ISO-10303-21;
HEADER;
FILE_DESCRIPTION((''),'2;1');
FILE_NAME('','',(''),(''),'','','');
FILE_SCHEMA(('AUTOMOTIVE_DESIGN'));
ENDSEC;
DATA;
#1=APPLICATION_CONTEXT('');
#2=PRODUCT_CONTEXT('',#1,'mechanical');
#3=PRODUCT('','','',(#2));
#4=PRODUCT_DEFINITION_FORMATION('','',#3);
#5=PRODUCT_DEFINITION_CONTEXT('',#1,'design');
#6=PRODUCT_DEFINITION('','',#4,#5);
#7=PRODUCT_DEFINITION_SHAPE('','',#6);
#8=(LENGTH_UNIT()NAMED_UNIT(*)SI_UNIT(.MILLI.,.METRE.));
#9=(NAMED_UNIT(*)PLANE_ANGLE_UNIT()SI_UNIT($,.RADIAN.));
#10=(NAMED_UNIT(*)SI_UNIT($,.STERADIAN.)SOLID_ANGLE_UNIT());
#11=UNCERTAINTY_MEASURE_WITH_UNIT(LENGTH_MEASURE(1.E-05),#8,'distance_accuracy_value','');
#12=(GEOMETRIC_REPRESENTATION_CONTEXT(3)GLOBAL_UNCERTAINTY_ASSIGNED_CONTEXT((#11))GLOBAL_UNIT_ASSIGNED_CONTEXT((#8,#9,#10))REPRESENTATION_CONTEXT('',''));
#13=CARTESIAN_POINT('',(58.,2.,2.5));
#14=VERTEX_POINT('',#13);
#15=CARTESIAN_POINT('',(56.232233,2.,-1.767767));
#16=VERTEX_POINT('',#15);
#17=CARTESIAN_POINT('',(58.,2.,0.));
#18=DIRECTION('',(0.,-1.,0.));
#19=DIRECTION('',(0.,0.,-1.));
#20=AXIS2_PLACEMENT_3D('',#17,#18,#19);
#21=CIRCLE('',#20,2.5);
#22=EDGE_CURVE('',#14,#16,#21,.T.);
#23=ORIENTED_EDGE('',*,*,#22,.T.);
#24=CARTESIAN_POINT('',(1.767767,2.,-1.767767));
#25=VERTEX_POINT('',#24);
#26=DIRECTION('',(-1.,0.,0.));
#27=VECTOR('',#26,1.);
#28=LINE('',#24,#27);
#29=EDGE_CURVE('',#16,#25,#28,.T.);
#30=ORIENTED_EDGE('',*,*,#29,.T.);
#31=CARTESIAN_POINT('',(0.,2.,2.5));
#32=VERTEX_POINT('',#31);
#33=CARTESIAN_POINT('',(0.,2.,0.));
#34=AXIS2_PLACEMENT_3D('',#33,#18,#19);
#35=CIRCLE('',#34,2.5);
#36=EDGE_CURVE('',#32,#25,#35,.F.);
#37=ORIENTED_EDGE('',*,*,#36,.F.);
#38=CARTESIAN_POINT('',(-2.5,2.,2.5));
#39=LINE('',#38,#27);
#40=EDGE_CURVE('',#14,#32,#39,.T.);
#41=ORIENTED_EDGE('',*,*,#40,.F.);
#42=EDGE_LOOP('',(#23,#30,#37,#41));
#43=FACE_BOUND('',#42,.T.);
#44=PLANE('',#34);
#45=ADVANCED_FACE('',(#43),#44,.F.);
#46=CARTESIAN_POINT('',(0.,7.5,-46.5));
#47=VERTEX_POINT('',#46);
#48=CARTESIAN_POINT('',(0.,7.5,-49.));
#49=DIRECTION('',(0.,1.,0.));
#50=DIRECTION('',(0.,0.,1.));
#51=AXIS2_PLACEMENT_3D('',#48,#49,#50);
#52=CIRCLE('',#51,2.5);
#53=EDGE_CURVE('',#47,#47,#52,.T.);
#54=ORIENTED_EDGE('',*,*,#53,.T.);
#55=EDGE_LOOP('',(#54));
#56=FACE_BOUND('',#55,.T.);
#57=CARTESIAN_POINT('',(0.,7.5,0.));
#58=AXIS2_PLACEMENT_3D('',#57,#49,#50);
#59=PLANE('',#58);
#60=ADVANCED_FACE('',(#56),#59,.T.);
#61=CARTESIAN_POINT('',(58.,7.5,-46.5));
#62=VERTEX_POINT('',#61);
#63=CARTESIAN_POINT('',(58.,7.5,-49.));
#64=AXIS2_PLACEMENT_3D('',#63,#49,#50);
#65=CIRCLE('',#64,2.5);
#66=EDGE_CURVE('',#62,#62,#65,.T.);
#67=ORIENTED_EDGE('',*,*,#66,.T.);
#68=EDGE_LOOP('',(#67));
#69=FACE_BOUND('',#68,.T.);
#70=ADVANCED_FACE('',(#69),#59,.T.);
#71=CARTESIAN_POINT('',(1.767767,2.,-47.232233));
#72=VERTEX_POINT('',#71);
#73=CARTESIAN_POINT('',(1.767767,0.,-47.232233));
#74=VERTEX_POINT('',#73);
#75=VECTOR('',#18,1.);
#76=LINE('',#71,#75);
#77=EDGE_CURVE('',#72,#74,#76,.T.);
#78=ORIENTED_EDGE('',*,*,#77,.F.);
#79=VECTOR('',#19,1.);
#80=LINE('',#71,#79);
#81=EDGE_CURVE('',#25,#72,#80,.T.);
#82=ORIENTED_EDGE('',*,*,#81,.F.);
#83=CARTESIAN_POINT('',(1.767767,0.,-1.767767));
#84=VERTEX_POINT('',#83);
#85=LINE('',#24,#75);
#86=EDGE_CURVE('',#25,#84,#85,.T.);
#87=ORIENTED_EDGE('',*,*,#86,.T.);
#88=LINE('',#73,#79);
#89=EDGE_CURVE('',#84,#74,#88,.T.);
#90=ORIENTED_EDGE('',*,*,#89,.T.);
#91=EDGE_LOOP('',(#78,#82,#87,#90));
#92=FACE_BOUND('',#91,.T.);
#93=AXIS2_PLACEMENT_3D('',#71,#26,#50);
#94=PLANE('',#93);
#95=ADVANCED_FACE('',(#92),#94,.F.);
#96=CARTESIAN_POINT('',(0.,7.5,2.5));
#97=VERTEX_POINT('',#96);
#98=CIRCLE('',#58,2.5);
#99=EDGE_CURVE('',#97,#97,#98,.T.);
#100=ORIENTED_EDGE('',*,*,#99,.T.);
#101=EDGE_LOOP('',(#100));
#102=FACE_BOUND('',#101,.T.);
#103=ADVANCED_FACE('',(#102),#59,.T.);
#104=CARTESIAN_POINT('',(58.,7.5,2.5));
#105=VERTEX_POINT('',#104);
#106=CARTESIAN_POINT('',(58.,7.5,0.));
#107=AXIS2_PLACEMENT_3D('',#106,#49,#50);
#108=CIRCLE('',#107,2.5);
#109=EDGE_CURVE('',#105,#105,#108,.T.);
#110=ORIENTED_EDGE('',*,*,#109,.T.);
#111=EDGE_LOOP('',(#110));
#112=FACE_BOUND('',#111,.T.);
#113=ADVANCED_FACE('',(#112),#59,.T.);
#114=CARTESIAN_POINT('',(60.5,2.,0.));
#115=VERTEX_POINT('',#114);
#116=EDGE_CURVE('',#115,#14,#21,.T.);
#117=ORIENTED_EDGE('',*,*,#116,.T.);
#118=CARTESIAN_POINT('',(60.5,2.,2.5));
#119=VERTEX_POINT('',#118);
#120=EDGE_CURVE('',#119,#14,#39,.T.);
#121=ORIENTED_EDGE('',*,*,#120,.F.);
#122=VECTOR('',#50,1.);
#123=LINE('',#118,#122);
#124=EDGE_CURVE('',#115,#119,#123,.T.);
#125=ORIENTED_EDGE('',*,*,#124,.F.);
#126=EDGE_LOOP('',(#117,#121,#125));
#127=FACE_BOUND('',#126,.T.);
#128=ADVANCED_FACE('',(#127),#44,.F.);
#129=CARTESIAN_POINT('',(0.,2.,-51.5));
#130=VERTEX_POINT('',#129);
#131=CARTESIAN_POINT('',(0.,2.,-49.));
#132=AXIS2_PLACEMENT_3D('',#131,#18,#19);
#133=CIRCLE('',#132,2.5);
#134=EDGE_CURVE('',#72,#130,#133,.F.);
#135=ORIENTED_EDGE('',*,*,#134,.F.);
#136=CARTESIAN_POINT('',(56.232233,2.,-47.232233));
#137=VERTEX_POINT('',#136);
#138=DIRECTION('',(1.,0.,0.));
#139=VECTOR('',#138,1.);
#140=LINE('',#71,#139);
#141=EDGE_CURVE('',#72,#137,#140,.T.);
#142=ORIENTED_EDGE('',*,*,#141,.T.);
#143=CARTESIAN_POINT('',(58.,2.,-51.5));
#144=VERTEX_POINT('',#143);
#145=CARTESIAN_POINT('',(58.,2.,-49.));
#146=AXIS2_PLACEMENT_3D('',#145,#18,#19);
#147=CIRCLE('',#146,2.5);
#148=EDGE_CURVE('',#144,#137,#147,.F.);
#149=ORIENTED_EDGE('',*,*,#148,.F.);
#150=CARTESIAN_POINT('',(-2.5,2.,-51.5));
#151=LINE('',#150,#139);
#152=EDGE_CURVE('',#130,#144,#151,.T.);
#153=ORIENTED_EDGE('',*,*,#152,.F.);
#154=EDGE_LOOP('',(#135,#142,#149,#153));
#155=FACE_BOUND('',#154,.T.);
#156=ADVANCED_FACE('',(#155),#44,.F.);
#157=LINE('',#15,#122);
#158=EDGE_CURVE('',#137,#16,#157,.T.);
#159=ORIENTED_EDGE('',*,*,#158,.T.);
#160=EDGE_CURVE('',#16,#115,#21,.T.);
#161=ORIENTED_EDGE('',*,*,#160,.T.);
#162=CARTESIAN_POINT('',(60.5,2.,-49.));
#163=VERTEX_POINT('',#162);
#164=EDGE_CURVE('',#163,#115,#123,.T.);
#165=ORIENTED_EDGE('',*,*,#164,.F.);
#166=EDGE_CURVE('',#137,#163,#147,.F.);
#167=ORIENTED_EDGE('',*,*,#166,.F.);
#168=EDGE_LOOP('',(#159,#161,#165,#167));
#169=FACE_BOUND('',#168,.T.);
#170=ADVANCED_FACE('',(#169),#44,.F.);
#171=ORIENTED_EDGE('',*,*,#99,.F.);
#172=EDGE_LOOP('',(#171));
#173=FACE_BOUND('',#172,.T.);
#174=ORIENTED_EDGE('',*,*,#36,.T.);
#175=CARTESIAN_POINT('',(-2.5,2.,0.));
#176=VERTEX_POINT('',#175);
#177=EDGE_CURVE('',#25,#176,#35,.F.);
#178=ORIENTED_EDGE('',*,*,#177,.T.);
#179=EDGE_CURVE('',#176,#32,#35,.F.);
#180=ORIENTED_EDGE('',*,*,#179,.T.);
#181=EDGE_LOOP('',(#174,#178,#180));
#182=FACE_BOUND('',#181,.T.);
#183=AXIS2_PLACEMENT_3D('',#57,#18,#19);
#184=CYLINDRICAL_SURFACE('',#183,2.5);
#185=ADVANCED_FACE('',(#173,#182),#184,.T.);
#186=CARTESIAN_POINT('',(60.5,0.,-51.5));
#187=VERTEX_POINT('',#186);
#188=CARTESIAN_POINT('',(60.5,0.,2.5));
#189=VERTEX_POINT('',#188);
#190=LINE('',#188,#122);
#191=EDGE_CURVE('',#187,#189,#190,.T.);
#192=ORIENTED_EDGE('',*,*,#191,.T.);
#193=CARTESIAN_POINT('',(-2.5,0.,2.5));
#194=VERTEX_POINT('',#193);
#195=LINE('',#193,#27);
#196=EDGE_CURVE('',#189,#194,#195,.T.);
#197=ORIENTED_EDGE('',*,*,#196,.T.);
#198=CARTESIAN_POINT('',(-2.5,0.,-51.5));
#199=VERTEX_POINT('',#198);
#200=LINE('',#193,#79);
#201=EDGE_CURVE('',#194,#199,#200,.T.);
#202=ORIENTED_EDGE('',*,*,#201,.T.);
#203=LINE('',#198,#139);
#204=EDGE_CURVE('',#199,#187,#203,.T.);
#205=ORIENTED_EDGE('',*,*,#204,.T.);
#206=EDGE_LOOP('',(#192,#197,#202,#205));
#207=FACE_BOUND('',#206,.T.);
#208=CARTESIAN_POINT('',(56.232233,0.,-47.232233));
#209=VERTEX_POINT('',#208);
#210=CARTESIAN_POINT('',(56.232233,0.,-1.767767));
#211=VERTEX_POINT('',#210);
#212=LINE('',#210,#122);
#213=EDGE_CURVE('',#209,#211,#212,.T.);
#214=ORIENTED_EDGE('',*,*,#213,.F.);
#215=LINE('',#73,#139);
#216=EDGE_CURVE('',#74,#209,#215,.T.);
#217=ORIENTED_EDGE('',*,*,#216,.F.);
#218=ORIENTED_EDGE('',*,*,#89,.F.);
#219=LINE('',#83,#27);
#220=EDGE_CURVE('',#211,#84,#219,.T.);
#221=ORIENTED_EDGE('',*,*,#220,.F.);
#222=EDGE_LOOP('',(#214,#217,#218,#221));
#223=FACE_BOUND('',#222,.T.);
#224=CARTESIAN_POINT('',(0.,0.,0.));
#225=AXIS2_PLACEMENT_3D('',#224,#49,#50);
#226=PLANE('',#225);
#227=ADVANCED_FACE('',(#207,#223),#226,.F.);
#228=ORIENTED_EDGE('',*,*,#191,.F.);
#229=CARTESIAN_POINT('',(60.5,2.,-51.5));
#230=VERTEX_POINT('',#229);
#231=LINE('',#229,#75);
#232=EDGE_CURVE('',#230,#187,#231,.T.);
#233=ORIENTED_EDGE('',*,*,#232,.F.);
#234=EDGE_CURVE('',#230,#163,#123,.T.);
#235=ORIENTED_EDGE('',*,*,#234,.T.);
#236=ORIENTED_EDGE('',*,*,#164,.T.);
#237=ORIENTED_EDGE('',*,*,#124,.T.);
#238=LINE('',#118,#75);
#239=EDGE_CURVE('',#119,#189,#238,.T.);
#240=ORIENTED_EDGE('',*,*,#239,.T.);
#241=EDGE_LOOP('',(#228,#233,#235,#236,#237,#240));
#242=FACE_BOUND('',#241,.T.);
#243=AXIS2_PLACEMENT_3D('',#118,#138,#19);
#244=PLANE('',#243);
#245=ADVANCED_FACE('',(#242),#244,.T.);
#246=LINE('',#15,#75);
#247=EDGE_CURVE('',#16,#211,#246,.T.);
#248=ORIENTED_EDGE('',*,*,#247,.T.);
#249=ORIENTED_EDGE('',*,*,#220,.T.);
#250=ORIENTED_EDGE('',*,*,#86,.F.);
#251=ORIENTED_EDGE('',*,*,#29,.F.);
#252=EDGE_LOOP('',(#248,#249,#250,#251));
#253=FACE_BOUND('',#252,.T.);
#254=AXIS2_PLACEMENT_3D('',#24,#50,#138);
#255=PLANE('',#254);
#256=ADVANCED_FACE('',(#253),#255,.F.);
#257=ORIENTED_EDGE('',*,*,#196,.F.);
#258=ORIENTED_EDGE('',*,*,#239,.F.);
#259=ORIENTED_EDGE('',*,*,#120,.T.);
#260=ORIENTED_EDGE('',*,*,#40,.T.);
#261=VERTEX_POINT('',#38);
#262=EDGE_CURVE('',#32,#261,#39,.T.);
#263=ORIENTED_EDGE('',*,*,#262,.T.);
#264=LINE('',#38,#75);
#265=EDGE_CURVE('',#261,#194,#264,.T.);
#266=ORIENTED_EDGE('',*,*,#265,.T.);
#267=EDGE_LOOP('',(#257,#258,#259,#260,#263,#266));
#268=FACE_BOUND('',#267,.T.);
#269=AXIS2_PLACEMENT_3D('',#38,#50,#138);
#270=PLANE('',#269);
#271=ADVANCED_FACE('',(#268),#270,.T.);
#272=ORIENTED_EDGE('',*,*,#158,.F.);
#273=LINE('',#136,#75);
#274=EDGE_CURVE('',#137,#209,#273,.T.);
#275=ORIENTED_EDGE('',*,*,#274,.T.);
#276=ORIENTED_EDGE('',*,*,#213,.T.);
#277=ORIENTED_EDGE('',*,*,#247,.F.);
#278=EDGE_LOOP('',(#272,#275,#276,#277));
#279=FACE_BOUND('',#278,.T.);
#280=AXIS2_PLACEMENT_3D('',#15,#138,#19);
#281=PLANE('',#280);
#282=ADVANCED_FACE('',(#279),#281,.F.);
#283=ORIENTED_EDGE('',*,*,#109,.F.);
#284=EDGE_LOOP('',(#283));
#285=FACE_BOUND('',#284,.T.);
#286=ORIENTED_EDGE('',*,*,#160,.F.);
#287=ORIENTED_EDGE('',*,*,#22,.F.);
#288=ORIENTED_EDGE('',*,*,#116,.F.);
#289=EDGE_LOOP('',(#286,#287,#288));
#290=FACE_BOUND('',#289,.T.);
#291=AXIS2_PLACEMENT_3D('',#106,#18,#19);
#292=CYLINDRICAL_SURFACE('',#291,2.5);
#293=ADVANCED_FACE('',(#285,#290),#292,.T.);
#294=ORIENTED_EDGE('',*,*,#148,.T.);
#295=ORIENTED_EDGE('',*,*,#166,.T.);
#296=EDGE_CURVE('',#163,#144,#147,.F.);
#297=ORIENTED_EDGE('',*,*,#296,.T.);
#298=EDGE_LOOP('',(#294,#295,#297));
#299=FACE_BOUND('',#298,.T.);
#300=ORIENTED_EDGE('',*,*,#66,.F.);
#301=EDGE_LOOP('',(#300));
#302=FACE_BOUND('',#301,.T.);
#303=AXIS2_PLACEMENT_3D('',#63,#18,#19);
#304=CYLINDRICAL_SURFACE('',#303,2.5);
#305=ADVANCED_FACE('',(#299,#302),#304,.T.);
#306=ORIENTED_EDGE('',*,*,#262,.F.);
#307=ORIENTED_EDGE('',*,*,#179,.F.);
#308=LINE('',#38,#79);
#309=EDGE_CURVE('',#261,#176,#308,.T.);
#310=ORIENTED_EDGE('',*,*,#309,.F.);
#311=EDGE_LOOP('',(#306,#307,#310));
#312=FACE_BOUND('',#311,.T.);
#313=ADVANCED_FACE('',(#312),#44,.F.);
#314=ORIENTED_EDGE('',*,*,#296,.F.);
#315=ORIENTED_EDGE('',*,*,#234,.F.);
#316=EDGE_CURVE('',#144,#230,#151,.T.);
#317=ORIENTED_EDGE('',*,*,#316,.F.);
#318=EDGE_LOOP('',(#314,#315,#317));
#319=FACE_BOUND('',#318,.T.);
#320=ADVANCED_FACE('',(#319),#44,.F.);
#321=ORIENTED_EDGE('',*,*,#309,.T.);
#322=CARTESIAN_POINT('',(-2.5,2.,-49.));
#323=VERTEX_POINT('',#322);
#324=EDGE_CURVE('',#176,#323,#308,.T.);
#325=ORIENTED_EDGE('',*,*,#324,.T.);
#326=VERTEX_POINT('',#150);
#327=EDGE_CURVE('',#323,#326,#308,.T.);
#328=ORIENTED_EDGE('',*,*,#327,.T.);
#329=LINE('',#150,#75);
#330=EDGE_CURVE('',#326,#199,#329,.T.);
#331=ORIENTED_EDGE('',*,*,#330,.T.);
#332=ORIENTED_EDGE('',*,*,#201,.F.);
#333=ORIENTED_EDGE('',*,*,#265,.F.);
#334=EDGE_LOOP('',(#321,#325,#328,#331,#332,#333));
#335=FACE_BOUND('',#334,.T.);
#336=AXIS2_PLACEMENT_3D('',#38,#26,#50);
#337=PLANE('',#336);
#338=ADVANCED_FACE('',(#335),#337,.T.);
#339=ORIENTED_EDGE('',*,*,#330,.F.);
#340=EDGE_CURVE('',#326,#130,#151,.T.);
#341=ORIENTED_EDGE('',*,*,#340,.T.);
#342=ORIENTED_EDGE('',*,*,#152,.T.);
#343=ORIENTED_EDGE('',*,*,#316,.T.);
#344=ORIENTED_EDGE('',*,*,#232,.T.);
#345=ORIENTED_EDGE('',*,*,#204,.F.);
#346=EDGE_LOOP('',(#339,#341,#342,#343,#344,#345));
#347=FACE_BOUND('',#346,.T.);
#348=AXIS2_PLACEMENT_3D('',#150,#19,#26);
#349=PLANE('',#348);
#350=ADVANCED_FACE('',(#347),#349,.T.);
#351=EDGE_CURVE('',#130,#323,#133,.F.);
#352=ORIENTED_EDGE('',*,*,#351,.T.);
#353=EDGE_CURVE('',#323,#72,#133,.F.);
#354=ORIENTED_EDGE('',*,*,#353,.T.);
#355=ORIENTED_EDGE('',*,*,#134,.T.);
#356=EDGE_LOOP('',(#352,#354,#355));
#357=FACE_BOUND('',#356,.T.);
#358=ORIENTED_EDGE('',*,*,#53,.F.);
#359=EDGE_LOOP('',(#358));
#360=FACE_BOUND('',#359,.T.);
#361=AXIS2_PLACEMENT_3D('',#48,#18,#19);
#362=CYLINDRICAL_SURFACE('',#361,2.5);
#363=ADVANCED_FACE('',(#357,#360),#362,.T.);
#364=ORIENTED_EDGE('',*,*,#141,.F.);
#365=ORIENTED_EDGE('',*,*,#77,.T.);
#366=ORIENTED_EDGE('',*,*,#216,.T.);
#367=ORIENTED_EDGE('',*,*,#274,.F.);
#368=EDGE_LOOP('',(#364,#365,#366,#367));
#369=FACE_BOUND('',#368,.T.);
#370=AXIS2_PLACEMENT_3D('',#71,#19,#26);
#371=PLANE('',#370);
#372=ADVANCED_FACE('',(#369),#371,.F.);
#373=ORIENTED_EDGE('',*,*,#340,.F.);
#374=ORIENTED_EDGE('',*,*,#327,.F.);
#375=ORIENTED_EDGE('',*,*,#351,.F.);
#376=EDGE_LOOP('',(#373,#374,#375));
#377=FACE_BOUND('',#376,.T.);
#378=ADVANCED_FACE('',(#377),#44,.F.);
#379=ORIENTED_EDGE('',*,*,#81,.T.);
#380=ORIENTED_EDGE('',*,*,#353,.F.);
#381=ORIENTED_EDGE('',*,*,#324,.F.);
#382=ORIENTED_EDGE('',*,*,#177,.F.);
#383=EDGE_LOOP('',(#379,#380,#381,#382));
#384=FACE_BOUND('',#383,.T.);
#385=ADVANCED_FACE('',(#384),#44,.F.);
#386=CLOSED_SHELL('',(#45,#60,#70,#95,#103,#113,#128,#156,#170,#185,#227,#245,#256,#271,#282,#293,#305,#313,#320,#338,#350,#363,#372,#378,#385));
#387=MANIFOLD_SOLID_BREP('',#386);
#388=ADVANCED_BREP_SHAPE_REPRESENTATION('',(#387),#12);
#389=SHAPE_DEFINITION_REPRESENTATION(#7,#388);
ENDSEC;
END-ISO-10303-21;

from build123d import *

# Parameters (mm, degrees)
SKETCH4_R           = 2.5
SKETCH4_R_2         = 1.8415
BOSS_EXTRUDE4_DEPTH = 7.5
SKETCH5_W           = 63
SKETCH5_H           = 54
SKETCH5_W_2         = 54.464466094
SKETCH5_H_2         = 45.464466094
BOSS_EXTRUDE5_DEPTH = 2


with BuildPart() as part:
    # Sketch4 → Boss-Extrude4 (new body)
    # profile 1 of 8: a face of its own
    with BuildSketch(Plane(origin=(0, 0, 0), x_dir=(1, 0, 0), z_dir=(0, 1, 0))):
        with Locations(Location((58, 0, 0), (0, 0, 270))):
            Circle(SKETCH4_R)
        with Locations((58, 0)):
            Circle(SKETCH4_R_2, mode=Mode.SUBTRACT)
    # profile 2 of 8: a face of its own
    with BuildSketch(Plane(origin=(0, 0, 0), x_dir=(1, 0, 0), z_dir=(0, 1, 0))):
        with Locations((58, 0)):
            Circle(SKETCH4_R_2)
    # profile 3 of 8: a face of its own
    with BuildSketch(Plane(origin=(0, 0, 0), x_dir=(1, 0, 0), z_dir=(0, 1, 0))):
        with Locations(Location((0, 0, 0), (0, 0, 270))):
            Circle(SKETCH4_R)
        Circle(SKETCH4_R_2, mode=Mode.SUBTRACT)
    # profile 4 of 8: a face of its own
    with BuildSketch(Plane(origin=(0, 0, 0), x_dir=(1, 0, 0), z_dir=(0, 1, 0))):
        Circle(SKETCH4_R_2)
    # profile 5 of 8: a face of its own
    with BuildSketch(Plane(origin=(0, 0, 0), x_dir=(1, 0, 0), z_dir=(0, 1, 0))):
        with Locations(Location((0, 49, 0), (0, 0, 270))):
            Circle(SKETCH4_R)
        with Locations((0, 49)):
            Circle(SKETCH4_R_2, mode=Mode.SUBTRACT)
    # profile 6 of 8: a face of its own
    with BuildSketch(Plane(origin=(0, 0, 0), x_dir=(1, 0, 0), z_dir=(0, 1, 0))):
        with Locations((0, 49)):
            Circle(SKETCH4_R_2)
    # profile 7 of 8: a face of its own
    with BuildSketch(Plane(origin=(0, 0, 0), x_dir=(1, 0, 0), z_dir=(0, 1, 0))):
        with Locations(Location((58, 49, 0), (0, 0, 270))):
            Circle(SKETCH4_R)
        with Locations((58, 49)):
            Circle(SKETCH4_R_2, mode=Mode.SUBTRACT)
    # profile 8 of 8: a face of its own
    with BuildSketch(Plane(origin=(0, 0, 0), x_dir=(1, 0, 0), z_dir=(0, 1, 0))):
        with Locations((58, 49)):
            Circle(SKETCH4_R_2)
    extrude(amount=BOSS_EXTRUDE4_DEPTH)

    # Sketch5 → Boss-Extrude5 (add)
    with BuildSketch(Plane.XZ):
        with Locations((29, -24.5)):
            Rectangle(SKETCH5_W, SKETCH5_H)
        with Locations((29, -24.5)):
            Rectangle(SKETCH5_W_2, SKETCH5_H_2, mode=Mode.SUBTRACT)
    extrude(amount=-BOSS_EXTRUDE5_DEPTH)


solid = part.part
